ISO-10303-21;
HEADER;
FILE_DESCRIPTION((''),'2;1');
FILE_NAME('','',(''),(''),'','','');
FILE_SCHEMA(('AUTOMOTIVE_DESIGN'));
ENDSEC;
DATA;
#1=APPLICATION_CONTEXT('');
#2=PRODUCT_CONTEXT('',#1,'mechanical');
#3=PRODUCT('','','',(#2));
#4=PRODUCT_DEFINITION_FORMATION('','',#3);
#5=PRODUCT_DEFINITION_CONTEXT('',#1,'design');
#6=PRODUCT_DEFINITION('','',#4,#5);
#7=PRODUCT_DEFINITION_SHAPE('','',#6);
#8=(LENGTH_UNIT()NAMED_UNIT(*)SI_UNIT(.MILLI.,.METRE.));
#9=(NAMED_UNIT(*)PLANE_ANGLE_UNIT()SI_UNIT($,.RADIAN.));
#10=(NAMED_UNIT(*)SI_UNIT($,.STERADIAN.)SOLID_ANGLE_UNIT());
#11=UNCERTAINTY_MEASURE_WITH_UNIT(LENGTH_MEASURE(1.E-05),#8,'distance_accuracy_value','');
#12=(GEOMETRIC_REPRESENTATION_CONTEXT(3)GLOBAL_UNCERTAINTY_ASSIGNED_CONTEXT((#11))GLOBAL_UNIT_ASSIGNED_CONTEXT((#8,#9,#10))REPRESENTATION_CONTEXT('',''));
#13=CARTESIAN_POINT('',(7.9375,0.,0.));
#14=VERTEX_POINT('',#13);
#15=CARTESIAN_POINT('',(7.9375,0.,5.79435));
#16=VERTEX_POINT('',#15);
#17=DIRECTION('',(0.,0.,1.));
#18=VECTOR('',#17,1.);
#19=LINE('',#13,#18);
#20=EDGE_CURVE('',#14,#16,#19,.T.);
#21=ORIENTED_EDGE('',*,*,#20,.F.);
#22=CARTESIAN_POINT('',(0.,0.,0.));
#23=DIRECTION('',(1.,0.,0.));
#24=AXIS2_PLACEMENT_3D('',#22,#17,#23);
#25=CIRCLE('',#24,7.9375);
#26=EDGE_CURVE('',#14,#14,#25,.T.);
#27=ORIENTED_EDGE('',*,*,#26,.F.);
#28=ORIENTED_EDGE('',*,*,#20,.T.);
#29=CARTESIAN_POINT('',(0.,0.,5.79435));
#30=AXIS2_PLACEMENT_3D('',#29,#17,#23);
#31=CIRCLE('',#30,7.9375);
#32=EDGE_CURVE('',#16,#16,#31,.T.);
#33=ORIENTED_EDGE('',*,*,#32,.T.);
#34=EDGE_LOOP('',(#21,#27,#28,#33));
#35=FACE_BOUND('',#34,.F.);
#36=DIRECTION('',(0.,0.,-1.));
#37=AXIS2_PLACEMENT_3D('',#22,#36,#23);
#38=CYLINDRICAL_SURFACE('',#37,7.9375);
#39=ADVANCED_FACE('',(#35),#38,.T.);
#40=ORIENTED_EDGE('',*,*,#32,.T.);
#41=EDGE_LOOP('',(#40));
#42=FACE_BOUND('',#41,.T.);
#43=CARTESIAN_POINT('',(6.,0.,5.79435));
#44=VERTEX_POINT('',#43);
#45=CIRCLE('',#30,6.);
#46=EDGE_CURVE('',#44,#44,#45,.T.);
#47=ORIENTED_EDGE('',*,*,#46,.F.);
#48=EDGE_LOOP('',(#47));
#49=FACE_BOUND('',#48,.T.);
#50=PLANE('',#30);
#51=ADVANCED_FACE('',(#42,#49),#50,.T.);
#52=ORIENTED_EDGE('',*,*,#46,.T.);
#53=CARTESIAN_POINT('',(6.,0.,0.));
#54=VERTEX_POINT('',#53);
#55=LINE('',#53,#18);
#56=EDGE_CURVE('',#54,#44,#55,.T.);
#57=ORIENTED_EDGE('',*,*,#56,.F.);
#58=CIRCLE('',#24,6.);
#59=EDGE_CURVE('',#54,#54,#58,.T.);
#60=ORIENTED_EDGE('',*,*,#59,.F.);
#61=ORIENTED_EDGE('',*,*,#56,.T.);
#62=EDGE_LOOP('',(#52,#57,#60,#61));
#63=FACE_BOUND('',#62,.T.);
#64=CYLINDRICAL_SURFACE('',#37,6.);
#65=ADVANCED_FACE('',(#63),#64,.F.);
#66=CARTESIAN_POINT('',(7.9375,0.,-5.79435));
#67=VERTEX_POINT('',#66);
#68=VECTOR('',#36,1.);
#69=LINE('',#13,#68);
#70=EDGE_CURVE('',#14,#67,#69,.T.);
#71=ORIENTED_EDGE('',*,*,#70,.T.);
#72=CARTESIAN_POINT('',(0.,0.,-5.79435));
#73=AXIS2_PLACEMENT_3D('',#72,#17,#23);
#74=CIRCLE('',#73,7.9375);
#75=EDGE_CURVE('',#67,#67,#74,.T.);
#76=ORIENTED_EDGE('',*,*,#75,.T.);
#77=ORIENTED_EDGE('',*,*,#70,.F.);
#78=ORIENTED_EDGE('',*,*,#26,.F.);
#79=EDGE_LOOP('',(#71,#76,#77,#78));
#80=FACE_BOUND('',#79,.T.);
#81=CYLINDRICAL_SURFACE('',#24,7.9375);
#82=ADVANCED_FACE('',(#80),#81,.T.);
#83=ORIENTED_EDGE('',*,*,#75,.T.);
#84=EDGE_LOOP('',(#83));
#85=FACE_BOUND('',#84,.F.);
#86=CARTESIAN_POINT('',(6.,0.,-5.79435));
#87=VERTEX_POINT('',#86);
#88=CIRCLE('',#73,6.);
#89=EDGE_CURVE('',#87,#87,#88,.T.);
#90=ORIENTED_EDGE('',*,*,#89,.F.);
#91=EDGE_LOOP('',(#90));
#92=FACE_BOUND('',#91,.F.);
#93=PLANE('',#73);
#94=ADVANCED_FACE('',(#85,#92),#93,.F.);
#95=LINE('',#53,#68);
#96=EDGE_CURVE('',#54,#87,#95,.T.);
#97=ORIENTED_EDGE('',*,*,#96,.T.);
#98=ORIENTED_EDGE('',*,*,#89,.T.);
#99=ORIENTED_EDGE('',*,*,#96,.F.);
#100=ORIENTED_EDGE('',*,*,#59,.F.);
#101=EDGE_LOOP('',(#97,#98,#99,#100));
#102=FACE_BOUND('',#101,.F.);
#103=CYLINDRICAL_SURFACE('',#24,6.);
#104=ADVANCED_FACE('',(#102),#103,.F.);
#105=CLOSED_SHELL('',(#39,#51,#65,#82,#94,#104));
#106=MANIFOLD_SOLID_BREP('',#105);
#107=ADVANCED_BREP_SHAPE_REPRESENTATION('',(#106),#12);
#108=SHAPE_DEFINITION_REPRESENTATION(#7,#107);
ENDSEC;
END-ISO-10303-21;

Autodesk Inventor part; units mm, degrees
ref_plane "YZ Plane" through (0, 0, 0) normal (1, 0, 0) x (0, 1, 0)
ref_plane "XZ Plane" through (0, 0, 0) normal (0, 1, 0) x (-1, 0, 0)
ref_plane "XY Plane" through (0, 0, 0) normal (0, 0, 1) x (1, 0, 0)
sketch "Sketch1" plane through (0, 0, 0) normal (0, 0, 1) x (1, 0, 0)
  circle A0 centre (0, 0) radius 7.9375
  circle A1 centre (0, 0) radius 6
  dimension "d0" = 15.875
  dimension "d1" = 12
extrude "Extrusion1" add sketch "Sketch1" along normal mid plane 11.5887
properties part number "Dead Axle Spacer" material "Aluminum 6061"
